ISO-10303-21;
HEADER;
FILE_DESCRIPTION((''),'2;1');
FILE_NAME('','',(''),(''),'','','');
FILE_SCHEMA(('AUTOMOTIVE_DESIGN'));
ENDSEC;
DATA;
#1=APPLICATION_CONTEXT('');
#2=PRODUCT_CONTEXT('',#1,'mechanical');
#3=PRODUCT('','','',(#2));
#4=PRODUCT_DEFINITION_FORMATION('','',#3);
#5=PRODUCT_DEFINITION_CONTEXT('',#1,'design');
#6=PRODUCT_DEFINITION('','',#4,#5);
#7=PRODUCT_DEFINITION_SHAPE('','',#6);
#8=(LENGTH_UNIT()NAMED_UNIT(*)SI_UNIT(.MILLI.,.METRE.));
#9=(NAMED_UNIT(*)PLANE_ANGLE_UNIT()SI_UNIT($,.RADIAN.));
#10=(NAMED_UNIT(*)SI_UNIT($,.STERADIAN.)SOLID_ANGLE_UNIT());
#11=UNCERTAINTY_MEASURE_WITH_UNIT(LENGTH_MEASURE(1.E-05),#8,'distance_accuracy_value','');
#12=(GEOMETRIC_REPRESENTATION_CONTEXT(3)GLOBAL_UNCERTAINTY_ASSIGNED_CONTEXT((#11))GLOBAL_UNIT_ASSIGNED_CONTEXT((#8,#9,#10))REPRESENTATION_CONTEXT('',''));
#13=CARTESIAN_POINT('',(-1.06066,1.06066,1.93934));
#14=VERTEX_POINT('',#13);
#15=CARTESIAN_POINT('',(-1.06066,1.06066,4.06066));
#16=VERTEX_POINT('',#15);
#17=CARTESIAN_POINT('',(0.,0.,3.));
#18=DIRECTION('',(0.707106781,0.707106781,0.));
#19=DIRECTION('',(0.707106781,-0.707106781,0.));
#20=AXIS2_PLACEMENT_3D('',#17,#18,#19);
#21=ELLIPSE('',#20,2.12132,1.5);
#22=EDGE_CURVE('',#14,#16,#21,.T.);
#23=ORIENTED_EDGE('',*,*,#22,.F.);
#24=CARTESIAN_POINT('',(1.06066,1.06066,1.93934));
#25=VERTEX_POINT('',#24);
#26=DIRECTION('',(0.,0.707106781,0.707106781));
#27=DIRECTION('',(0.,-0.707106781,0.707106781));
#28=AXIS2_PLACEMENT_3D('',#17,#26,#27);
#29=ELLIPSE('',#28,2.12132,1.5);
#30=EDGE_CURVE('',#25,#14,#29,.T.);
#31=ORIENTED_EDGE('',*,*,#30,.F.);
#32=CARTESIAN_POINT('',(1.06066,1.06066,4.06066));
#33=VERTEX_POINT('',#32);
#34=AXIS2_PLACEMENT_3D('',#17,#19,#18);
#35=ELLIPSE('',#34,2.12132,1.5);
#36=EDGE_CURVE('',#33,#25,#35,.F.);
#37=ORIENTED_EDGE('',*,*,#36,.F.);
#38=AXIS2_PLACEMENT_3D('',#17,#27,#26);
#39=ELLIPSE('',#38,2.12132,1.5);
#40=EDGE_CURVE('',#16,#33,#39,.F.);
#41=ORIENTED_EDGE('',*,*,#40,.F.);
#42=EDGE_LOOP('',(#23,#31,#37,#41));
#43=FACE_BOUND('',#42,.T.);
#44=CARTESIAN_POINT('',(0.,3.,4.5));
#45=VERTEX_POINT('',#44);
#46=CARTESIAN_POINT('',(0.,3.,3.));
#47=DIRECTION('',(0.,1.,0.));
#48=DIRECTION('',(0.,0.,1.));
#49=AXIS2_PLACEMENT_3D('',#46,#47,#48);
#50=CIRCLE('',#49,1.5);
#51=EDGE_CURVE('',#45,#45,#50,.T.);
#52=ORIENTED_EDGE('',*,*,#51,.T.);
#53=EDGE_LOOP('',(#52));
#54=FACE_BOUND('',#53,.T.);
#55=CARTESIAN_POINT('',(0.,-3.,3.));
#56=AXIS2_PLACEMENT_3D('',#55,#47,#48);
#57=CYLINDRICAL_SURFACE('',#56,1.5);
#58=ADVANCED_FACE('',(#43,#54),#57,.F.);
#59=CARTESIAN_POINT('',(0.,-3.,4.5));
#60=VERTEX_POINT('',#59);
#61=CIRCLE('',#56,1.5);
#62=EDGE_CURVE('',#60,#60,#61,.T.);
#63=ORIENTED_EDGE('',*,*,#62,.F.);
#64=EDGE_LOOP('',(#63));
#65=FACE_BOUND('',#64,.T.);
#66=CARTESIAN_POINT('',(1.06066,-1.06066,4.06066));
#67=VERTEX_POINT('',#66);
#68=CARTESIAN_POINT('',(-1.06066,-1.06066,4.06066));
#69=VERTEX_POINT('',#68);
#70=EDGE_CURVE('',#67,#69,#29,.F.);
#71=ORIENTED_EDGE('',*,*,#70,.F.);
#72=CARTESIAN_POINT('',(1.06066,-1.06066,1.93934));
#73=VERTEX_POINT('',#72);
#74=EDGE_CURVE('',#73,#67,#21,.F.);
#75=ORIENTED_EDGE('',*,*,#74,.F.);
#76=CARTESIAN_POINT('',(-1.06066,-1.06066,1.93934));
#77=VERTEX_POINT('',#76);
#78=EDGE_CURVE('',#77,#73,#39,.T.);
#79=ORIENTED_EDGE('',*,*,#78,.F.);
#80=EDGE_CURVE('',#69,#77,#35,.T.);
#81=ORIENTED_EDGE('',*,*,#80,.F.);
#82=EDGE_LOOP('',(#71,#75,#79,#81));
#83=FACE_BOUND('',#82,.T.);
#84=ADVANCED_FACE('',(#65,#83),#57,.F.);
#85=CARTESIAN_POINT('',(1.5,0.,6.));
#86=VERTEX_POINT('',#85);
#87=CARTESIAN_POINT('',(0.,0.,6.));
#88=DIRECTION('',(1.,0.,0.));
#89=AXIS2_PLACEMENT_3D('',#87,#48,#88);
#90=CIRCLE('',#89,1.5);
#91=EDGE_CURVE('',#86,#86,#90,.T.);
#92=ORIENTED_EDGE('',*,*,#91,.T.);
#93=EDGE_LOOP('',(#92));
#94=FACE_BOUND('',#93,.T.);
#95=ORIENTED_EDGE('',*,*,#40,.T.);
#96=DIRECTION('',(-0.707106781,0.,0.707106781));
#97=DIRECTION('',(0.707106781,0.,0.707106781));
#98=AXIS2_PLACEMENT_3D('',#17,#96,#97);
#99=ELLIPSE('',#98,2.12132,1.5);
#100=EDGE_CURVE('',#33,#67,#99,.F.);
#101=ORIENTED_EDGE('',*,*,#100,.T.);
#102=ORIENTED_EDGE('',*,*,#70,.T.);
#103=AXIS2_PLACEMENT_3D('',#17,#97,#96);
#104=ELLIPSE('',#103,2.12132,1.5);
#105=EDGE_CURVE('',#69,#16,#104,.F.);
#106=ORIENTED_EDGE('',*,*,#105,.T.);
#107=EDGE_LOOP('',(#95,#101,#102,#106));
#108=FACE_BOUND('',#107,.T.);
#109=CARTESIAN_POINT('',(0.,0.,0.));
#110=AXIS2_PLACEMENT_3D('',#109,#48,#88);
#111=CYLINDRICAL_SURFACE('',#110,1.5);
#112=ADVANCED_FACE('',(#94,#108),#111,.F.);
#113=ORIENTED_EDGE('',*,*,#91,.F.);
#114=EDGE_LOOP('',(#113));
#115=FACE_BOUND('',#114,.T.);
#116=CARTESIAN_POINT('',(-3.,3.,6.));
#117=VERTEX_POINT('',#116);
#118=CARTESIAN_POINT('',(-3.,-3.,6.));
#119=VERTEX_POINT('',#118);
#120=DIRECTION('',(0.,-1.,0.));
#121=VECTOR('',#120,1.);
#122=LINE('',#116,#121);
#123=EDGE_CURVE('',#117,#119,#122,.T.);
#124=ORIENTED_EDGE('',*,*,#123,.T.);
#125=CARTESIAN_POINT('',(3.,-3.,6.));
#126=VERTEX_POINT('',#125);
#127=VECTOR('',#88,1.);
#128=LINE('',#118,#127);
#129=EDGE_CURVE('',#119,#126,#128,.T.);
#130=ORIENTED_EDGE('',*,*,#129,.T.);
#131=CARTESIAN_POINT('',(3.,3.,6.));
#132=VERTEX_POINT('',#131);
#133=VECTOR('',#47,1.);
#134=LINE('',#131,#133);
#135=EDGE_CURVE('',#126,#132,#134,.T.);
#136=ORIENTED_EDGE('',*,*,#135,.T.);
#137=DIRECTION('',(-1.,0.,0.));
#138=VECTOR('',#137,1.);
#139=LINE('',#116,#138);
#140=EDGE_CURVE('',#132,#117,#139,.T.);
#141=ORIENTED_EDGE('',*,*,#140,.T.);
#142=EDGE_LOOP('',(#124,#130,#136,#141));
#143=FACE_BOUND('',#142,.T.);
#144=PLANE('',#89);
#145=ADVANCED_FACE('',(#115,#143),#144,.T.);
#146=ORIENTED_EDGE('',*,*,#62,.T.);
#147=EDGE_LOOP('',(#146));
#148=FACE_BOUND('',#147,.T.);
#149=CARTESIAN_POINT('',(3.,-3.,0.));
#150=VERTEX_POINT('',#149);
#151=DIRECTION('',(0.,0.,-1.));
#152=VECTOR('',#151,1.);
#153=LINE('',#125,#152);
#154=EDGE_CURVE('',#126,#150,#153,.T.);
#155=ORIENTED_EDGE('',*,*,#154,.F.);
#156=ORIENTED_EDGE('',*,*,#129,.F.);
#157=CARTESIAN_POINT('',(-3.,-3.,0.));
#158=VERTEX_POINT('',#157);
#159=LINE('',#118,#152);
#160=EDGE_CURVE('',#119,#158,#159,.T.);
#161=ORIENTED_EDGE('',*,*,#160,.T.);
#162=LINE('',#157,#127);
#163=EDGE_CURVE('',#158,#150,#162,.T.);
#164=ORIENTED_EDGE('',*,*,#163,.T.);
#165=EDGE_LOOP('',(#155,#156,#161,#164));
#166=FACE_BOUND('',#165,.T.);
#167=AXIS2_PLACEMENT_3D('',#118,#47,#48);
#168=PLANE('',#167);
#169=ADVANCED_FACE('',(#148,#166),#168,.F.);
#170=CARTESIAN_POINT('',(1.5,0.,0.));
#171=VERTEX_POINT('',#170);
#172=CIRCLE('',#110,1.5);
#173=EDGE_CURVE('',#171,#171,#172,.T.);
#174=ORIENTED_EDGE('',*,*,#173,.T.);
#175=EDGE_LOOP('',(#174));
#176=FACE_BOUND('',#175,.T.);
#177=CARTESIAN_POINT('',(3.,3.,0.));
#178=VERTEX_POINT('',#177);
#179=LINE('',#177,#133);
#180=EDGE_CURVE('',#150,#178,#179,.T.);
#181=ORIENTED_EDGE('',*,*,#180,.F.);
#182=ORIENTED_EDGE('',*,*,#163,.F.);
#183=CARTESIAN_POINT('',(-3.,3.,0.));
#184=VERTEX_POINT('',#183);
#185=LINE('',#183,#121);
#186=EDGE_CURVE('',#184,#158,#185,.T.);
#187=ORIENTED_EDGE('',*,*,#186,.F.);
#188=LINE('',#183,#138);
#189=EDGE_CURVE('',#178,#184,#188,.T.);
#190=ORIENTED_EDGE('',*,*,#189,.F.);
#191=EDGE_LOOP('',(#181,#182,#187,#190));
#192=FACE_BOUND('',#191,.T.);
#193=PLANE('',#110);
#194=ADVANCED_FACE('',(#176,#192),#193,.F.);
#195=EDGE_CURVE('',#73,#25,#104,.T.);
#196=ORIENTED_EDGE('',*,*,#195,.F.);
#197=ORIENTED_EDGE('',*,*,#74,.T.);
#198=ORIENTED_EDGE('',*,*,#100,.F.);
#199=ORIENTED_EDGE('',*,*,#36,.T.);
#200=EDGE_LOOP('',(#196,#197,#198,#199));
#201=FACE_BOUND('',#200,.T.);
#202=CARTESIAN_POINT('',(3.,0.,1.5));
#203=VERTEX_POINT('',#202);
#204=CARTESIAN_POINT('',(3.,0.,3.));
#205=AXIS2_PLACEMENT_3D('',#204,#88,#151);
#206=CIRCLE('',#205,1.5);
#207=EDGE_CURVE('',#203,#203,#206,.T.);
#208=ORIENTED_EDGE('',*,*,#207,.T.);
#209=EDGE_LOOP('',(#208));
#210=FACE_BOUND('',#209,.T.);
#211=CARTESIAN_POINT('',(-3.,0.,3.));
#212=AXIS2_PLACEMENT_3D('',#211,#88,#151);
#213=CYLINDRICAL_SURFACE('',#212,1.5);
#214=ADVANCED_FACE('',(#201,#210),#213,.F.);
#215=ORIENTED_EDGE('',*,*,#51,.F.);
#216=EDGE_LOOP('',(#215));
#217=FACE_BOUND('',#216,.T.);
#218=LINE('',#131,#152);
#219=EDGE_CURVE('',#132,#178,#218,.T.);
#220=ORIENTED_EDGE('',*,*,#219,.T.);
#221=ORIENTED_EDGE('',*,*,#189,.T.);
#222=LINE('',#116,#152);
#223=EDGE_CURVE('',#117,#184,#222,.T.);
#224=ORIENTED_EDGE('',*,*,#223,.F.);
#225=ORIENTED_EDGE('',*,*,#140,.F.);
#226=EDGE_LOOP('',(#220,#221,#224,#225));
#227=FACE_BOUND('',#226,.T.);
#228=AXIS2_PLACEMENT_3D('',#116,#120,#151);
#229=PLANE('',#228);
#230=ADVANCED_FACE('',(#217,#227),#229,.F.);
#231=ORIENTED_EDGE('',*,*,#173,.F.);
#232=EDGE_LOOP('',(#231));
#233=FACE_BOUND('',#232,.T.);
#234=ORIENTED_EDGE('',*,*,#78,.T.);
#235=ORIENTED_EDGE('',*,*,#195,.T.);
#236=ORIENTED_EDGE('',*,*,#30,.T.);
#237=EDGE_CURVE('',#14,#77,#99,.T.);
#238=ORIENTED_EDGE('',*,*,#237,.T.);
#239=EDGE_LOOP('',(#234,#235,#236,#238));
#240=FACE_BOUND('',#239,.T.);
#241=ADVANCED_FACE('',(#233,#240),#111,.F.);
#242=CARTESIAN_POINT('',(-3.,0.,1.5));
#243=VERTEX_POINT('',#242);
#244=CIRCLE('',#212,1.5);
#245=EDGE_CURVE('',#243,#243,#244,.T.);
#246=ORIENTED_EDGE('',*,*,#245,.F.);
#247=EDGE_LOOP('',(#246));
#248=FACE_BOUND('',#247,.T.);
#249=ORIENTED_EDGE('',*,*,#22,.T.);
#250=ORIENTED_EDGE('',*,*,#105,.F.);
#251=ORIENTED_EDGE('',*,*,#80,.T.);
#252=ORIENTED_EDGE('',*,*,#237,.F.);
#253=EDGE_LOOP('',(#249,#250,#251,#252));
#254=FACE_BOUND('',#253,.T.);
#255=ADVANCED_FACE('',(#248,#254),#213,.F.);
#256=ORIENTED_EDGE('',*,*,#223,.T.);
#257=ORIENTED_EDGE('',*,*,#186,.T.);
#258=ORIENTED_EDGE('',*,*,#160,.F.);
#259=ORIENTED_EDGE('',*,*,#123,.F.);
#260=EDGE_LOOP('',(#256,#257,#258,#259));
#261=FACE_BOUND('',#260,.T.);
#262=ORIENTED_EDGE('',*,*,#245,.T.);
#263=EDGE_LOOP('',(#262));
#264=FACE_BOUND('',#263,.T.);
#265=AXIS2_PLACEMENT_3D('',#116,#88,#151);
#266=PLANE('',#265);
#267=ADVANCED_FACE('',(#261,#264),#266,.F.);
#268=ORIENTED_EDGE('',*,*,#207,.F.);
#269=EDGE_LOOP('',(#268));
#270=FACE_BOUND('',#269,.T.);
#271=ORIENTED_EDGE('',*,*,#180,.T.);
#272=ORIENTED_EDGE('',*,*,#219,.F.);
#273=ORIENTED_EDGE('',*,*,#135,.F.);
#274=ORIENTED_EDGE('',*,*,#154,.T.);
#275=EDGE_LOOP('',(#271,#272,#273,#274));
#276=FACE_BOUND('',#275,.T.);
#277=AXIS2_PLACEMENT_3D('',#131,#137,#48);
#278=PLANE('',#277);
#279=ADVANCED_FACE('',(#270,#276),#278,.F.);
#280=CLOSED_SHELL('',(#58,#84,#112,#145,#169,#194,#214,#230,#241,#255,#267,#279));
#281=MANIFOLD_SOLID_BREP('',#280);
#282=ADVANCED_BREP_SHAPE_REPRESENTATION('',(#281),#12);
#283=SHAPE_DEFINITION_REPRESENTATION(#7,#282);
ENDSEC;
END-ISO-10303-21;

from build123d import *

# Parameters (mm, degrees)
SKETCH_1_W          = 6
SKETCH_1_H          = 6
EXTRUDE_1_DEPTH     = 6
SKETCH_2_R          = 1.5
CUT_EXTRUDE_1_DEPTH = 8.348469228
SKETCH_3_R          = 1.5
CUT_EXTRUDE_2_DEPTH = 10
SKETCH_4_R          = 1.5
CUT_EXTRUDE_3_DEPTH = 10


with BuildPart() as part:
    # 草图1 → 凸台-拉伸1 (new body)
    with BuildSketch(Plane.XY):
        Rectangle(SKETCH_1_W, SKETCH_1_H)
    extrude(amount=EXTRUDE_1_DEPTH)

    # 草图2 → 切除-拉伸1 (cut, through all)
    with BuildSketch(Plane.XY.offset(6)):
        Circle(SKETCH_2_R)
    extrude(amount=-CUT_EXTRUDE_1_DEPTH, mode=Mode.SUBTRACT)

    # 草图3 → 切除-拉伸2 (cut, through all)
    with BuildSketch(Plane(origin=(3, 0, 0), x_dir=(0, 0, -1), z_dir=(1, 0, 0))):
        with Locations((-3, 0)):
            Circle(SKETCH_3_R)
    extrude(amount=-CUT_EXTRUDE_2_DEPTH, mode=Mode.SUBTRACT)

    # 草图4 → 切除-拉伸3 (cut, through all)
    with BuildSketch(Plane(origin=(0, 3, 0), x_dir=(1, 0, 0), z_dir=(0, 1, 0))):
        with Locations(Location((0, -3, 0), (0, 0, 270))):
            Circle(SKETCH_4_R)
    extrude(amount=-CUT_EXTRUDE_3_DEPTH, mode=Mode.SUBTRACT)


solid = part.part
